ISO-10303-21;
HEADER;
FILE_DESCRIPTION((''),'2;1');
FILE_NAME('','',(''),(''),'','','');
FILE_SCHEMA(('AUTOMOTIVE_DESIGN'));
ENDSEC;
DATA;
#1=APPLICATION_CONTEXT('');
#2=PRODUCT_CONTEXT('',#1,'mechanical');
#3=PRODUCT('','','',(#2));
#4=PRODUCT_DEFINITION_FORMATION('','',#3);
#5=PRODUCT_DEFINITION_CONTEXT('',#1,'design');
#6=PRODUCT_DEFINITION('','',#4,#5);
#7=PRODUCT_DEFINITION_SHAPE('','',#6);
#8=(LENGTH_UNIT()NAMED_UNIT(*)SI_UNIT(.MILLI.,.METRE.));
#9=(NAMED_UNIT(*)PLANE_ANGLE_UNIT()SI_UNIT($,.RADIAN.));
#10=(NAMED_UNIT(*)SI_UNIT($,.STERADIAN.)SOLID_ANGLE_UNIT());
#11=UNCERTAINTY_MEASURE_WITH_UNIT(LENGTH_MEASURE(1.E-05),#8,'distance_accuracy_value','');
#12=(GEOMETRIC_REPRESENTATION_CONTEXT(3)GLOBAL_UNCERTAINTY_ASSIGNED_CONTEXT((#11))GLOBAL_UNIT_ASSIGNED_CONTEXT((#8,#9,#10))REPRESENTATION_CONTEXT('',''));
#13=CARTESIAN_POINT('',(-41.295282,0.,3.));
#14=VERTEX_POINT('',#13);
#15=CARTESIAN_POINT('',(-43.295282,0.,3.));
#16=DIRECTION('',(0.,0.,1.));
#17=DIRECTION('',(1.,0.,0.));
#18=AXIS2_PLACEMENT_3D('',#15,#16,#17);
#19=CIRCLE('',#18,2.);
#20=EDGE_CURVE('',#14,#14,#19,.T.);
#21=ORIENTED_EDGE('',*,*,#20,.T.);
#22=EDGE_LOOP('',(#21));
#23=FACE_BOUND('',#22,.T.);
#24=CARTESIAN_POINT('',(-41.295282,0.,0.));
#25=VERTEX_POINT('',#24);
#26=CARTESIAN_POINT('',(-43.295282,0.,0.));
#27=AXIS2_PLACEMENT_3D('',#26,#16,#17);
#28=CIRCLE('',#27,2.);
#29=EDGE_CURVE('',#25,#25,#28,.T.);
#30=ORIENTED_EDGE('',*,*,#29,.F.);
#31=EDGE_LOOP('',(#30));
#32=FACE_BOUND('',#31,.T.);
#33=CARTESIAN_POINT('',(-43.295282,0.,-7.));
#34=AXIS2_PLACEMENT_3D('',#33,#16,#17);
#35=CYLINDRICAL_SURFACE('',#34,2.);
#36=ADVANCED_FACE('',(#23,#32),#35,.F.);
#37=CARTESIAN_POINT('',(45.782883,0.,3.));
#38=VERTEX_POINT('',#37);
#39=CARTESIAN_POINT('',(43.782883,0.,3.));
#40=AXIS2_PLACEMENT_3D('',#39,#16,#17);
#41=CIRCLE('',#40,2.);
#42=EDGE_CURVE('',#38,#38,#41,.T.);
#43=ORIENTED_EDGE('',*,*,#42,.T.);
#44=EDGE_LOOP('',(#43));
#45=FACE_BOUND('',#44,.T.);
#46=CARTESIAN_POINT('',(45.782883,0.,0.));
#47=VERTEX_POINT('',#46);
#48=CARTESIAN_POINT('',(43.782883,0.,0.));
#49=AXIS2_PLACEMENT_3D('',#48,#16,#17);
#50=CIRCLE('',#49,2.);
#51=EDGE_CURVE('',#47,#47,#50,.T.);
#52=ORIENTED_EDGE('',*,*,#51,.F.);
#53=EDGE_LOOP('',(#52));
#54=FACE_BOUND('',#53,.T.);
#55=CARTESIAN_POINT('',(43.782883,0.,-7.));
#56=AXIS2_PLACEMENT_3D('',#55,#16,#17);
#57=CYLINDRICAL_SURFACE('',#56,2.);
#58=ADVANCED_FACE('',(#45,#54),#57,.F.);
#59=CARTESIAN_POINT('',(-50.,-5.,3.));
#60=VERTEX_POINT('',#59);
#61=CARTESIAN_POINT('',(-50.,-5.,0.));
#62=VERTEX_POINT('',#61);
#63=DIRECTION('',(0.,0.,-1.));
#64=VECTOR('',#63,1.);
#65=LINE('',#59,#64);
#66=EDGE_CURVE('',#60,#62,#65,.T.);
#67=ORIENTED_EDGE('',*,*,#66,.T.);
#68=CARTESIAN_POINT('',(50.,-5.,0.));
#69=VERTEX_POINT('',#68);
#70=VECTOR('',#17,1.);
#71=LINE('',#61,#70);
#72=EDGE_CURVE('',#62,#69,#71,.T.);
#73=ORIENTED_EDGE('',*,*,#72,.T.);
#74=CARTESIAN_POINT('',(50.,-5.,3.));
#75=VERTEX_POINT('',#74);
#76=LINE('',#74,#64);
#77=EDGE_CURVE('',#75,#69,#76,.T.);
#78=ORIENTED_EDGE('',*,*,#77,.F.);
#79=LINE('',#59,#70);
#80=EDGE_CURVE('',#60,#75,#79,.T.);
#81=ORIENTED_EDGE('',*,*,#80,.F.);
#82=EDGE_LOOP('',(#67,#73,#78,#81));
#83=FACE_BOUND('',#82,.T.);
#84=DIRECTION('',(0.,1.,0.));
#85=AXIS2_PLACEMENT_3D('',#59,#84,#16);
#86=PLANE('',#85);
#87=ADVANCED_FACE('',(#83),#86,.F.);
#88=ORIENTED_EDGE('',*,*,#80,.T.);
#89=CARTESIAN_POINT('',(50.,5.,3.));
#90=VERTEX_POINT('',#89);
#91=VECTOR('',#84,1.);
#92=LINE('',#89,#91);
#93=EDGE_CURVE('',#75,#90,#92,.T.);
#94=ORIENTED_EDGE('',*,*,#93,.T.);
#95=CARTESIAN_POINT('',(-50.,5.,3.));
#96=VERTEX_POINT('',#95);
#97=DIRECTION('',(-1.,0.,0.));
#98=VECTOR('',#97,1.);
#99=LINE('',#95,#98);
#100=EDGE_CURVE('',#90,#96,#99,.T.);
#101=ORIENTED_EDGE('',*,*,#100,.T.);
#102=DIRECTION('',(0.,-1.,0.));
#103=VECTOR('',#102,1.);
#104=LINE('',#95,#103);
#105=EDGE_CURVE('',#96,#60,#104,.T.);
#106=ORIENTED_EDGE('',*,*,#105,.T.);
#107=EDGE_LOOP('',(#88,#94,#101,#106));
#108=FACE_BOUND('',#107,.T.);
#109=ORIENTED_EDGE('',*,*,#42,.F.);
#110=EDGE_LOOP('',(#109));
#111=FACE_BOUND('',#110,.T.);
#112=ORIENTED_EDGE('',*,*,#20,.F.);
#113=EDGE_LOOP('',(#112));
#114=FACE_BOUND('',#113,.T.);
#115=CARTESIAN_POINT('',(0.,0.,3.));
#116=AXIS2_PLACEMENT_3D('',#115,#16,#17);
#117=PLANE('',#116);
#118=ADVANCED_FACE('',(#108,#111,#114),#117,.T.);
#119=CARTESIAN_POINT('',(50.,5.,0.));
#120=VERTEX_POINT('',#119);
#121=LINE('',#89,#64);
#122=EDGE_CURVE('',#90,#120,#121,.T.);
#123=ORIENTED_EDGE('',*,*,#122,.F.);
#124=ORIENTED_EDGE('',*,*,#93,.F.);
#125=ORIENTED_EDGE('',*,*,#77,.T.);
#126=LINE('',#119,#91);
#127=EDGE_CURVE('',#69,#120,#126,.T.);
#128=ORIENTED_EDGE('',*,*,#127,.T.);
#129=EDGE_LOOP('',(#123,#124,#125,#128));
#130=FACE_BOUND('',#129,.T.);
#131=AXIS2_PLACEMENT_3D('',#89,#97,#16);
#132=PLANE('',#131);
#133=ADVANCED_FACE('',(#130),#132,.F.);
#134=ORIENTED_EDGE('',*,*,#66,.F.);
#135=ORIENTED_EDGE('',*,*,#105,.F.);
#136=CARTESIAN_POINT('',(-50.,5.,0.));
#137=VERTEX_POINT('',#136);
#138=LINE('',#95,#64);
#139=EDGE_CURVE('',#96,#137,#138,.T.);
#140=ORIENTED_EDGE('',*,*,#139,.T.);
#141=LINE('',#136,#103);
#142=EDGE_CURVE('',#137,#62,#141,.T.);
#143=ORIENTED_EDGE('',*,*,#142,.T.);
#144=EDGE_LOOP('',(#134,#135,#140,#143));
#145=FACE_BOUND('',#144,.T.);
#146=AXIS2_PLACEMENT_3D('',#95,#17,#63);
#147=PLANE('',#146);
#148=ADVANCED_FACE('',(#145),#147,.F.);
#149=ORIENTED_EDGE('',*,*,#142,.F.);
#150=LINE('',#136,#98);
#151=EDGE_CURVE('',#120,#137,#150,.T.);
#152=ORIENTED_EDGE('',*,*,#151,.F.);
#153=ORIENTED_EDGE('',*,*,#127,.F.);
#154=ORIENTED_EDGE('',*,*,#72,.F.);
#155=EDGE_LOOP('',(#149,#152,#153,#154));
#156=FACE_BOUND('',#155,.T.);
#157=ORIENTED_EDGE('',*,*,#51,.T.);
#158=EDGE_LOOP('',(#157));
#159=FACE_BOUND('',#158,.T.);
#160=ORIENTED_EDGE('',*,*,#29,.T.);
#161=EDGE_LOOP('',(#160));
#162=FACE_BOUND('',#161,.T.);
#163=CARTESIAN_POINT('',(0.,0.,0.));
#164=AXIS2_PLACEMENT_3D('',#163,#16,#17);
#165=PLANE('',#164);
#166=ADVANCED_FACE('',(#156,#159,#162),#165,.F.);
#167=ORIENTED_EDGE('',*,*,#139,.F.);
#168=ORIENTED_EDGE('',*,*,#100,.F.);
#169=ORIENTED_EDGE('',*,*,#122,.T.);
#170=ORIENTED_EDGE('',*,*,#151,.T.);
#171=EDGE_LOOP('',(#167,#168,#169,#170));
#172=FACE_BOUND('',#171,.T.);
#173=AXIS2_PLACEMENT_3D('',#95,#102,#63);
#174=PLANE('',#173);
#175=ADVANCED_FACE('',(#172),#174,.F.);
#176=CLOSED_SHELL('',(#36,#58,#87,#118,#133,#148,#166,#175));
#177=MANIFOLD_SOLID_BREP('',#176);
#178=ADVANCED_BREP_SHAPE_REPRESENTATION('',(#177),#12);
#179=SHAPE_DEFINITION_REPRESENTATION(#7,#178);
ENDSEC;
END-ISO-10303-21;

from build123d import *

# Parameters (mm, degrees)
SKETCH1_W           = 100
SKETCH1_H           = 10
BOSS_EXTRUDE1_DEPTH = 3
SKETCH2_R           = 2
CUT_EXTRUDE1_DEPTH  = 10


with BuildPart() as part:
    # Sketch1 → Boss-Extrude1 (new body)
    with BuildSketch(Plane.XY):
        Rectangle(SKETCH1_W, SKETCH1_H)
    extrude(amount=BOSS_EXTRUDE1_DEPTH)

    # Sketch2 → Cut-Extrude1 (cut)
    with BuildSketch(Plane.XY.offset(3)):
        with Locations((-43.295281707, 0)):
            Circle(SKETCH2_R)
        with Locations((43.782882982, 0)):
            Circle(SKETCH2_R)
    extrude(amount=-CUT_EXTRUDE1_DEPTH, mode=Mode.SUBTRACT)


solid = part.part
